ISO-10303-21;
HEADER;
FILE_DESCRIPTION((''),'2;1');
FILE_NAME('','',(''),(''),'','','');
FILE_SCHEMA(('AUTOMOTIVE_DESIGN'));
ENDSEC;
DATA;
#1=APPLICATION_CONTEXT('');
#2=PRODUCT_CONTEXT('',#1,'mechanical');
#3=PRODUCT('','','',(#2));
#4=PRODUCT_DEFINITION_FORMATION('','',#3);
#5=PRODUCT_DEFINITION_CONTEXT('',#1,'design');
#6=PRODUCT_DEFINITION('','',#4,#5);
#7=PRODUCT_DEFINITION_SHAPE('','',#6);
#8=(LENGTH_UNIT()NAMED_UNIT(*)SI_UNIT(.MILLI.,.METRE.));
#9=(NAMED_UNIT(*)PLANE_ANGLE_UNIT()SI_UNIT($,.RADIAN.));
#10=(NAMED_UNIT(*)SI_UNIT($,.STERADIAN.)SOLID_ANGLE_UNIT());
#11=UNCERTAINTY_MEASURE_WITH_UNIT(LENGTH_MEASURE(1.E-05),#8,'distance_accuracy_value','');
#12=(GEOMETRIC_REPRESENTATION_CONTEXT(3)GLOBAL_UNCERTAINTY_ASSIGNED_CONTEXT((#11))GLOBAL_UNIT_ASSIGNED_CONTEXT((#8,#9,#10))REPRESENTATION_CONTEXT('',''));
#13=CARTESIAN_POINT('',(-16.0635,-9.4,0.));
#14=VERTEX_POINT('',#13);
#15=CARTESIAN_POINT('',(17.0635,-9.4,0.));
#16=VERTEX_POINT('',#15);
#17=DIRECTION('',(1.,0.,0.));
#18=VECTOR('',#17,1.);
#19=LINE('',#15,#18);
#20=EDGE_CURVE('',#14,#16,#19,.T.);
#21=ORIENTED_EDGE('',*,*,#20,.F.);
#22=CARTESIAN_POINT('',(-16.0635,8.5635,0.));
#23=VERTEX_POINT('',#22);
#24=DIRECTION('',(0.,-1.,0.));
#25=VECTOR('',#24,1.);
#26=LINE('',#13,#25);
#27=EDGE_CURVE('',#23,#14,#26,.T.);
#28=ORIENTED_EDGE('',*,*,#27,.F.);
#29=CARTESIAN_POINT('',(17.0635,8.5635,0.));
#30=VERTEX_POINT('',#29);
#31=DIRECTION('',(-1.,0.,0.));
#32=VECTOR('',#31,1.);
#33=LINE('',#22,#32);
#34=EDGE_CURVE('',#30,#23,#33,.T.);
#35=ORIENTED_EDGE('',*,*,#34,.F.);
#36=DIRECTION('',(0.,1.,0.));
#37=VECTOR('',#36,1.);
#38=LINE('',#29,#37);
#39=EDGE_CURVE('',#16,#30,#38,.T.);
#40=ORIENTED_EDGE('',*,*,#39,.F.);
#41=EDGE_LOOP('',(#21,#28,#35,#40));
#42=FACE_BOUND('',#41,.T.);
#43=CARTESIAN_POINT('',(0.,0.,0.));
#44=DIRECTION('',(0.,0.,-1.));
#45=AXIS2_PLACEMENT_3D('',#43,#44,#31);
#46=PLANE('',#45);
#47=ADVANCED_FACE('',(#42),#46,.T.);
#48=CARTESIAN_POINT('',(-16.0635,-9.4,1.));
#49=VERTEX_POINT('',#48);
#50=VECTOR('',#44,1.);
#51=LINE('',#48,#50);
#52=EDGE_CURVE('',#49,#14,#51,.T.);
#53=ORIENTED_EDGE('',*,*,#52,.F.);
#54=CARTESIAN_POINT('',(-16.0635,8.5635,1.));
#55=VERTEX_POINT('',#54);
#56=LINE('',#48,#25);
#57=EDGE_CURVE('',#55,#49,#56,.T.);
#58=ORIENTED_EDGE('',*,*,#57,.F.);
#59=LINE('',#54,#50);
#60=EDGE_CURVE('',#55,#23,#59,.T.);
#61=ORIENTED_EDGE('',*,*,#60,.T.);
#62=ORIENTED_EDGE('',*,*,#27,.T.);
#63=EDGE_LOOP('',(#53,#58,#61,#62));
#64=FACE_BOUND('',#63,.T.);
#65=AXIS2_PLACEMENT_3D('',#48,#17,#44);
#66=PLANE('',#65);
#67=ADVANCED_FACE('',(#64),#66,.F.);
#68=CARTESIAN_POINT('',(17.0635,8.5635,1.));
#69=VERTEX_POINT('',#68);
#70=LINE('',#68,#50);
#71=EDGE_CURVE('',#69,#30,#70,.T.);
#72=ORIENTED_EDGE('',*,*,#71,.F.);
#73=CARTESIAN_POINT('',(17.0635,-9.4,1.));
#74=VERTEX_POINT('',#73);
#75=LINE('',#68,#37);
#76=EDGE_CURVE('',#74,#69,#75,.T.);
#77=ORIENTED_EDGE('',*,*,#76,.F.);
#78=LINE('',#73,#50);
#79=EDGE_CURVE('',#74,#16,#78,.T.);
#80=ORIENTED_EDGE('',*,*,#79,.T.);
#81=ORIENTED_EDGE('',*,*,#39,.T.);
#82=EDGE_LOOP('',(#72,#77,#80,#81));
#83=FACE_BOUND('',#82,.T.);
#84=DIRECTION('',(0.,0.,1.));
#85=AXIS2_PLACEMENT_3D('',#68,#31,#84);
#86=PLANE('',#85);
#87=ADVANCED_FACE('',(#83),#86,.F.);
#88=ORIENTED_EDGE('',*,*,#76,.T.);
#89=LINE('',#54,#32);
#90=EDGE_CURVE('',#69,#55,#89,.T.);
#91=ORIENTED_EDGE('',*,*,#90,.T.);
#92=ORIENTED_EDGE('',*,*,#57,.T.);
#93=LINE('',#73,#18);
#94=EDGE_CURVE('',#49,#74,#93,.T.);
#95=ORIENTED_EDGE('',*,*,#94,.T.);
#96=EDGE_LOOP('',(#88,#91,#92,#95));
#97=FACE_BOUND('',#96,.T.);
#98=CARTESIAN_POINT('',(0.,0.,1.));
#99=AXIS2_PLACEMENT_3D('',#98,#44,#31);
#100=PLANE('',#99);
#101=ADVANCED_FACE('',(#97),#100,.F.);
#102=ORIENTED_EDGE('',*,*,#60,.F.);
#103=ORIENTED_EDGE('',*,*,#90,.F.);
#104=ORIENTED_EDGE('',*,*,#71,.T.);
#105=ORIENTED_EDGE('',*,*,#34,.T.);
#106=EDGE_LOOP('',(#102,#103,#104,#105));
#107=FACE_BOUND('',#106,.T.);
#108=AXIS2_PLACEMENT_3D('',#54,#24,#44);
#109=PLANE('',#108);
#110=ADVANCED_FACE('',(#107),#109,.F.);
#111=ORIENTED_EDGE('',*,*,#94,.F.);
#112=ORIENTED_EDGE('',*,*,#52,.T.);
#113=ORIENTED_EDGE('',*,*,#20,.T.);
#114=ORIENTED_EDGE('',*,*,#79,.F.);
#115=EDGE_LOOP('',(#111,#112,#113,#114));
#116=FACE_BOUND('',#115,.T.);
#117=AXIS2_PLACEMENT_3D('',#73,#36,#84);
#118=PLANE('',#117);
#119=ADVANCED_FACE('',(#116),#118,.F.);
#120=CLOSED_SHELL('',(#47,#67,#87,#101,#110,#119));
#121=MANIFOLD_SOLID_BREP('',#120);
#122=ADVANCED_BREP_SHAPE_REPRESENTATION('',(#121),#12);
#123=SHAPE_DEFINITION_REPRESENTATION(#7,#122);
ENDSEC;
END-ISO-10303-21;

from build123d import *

# Parameters (mm, degrees)
SKETCH1_W               = 33.127
SKETCH1_H               = 17.9635
COMPONENT_OUTLINE_DEPTH = 1


with BuildPart() as part:
    # Sketch1 → Component_Outline (new body)
    with BuildSketch(Plane.XY):
        with Locations((0.5, -0.41825)):
            Rectangle(SKETCH1_W, SKETCH1_H)
    extrude(amount=COMPONENT_OUTLINE_DEPTH)


solid = part.part
